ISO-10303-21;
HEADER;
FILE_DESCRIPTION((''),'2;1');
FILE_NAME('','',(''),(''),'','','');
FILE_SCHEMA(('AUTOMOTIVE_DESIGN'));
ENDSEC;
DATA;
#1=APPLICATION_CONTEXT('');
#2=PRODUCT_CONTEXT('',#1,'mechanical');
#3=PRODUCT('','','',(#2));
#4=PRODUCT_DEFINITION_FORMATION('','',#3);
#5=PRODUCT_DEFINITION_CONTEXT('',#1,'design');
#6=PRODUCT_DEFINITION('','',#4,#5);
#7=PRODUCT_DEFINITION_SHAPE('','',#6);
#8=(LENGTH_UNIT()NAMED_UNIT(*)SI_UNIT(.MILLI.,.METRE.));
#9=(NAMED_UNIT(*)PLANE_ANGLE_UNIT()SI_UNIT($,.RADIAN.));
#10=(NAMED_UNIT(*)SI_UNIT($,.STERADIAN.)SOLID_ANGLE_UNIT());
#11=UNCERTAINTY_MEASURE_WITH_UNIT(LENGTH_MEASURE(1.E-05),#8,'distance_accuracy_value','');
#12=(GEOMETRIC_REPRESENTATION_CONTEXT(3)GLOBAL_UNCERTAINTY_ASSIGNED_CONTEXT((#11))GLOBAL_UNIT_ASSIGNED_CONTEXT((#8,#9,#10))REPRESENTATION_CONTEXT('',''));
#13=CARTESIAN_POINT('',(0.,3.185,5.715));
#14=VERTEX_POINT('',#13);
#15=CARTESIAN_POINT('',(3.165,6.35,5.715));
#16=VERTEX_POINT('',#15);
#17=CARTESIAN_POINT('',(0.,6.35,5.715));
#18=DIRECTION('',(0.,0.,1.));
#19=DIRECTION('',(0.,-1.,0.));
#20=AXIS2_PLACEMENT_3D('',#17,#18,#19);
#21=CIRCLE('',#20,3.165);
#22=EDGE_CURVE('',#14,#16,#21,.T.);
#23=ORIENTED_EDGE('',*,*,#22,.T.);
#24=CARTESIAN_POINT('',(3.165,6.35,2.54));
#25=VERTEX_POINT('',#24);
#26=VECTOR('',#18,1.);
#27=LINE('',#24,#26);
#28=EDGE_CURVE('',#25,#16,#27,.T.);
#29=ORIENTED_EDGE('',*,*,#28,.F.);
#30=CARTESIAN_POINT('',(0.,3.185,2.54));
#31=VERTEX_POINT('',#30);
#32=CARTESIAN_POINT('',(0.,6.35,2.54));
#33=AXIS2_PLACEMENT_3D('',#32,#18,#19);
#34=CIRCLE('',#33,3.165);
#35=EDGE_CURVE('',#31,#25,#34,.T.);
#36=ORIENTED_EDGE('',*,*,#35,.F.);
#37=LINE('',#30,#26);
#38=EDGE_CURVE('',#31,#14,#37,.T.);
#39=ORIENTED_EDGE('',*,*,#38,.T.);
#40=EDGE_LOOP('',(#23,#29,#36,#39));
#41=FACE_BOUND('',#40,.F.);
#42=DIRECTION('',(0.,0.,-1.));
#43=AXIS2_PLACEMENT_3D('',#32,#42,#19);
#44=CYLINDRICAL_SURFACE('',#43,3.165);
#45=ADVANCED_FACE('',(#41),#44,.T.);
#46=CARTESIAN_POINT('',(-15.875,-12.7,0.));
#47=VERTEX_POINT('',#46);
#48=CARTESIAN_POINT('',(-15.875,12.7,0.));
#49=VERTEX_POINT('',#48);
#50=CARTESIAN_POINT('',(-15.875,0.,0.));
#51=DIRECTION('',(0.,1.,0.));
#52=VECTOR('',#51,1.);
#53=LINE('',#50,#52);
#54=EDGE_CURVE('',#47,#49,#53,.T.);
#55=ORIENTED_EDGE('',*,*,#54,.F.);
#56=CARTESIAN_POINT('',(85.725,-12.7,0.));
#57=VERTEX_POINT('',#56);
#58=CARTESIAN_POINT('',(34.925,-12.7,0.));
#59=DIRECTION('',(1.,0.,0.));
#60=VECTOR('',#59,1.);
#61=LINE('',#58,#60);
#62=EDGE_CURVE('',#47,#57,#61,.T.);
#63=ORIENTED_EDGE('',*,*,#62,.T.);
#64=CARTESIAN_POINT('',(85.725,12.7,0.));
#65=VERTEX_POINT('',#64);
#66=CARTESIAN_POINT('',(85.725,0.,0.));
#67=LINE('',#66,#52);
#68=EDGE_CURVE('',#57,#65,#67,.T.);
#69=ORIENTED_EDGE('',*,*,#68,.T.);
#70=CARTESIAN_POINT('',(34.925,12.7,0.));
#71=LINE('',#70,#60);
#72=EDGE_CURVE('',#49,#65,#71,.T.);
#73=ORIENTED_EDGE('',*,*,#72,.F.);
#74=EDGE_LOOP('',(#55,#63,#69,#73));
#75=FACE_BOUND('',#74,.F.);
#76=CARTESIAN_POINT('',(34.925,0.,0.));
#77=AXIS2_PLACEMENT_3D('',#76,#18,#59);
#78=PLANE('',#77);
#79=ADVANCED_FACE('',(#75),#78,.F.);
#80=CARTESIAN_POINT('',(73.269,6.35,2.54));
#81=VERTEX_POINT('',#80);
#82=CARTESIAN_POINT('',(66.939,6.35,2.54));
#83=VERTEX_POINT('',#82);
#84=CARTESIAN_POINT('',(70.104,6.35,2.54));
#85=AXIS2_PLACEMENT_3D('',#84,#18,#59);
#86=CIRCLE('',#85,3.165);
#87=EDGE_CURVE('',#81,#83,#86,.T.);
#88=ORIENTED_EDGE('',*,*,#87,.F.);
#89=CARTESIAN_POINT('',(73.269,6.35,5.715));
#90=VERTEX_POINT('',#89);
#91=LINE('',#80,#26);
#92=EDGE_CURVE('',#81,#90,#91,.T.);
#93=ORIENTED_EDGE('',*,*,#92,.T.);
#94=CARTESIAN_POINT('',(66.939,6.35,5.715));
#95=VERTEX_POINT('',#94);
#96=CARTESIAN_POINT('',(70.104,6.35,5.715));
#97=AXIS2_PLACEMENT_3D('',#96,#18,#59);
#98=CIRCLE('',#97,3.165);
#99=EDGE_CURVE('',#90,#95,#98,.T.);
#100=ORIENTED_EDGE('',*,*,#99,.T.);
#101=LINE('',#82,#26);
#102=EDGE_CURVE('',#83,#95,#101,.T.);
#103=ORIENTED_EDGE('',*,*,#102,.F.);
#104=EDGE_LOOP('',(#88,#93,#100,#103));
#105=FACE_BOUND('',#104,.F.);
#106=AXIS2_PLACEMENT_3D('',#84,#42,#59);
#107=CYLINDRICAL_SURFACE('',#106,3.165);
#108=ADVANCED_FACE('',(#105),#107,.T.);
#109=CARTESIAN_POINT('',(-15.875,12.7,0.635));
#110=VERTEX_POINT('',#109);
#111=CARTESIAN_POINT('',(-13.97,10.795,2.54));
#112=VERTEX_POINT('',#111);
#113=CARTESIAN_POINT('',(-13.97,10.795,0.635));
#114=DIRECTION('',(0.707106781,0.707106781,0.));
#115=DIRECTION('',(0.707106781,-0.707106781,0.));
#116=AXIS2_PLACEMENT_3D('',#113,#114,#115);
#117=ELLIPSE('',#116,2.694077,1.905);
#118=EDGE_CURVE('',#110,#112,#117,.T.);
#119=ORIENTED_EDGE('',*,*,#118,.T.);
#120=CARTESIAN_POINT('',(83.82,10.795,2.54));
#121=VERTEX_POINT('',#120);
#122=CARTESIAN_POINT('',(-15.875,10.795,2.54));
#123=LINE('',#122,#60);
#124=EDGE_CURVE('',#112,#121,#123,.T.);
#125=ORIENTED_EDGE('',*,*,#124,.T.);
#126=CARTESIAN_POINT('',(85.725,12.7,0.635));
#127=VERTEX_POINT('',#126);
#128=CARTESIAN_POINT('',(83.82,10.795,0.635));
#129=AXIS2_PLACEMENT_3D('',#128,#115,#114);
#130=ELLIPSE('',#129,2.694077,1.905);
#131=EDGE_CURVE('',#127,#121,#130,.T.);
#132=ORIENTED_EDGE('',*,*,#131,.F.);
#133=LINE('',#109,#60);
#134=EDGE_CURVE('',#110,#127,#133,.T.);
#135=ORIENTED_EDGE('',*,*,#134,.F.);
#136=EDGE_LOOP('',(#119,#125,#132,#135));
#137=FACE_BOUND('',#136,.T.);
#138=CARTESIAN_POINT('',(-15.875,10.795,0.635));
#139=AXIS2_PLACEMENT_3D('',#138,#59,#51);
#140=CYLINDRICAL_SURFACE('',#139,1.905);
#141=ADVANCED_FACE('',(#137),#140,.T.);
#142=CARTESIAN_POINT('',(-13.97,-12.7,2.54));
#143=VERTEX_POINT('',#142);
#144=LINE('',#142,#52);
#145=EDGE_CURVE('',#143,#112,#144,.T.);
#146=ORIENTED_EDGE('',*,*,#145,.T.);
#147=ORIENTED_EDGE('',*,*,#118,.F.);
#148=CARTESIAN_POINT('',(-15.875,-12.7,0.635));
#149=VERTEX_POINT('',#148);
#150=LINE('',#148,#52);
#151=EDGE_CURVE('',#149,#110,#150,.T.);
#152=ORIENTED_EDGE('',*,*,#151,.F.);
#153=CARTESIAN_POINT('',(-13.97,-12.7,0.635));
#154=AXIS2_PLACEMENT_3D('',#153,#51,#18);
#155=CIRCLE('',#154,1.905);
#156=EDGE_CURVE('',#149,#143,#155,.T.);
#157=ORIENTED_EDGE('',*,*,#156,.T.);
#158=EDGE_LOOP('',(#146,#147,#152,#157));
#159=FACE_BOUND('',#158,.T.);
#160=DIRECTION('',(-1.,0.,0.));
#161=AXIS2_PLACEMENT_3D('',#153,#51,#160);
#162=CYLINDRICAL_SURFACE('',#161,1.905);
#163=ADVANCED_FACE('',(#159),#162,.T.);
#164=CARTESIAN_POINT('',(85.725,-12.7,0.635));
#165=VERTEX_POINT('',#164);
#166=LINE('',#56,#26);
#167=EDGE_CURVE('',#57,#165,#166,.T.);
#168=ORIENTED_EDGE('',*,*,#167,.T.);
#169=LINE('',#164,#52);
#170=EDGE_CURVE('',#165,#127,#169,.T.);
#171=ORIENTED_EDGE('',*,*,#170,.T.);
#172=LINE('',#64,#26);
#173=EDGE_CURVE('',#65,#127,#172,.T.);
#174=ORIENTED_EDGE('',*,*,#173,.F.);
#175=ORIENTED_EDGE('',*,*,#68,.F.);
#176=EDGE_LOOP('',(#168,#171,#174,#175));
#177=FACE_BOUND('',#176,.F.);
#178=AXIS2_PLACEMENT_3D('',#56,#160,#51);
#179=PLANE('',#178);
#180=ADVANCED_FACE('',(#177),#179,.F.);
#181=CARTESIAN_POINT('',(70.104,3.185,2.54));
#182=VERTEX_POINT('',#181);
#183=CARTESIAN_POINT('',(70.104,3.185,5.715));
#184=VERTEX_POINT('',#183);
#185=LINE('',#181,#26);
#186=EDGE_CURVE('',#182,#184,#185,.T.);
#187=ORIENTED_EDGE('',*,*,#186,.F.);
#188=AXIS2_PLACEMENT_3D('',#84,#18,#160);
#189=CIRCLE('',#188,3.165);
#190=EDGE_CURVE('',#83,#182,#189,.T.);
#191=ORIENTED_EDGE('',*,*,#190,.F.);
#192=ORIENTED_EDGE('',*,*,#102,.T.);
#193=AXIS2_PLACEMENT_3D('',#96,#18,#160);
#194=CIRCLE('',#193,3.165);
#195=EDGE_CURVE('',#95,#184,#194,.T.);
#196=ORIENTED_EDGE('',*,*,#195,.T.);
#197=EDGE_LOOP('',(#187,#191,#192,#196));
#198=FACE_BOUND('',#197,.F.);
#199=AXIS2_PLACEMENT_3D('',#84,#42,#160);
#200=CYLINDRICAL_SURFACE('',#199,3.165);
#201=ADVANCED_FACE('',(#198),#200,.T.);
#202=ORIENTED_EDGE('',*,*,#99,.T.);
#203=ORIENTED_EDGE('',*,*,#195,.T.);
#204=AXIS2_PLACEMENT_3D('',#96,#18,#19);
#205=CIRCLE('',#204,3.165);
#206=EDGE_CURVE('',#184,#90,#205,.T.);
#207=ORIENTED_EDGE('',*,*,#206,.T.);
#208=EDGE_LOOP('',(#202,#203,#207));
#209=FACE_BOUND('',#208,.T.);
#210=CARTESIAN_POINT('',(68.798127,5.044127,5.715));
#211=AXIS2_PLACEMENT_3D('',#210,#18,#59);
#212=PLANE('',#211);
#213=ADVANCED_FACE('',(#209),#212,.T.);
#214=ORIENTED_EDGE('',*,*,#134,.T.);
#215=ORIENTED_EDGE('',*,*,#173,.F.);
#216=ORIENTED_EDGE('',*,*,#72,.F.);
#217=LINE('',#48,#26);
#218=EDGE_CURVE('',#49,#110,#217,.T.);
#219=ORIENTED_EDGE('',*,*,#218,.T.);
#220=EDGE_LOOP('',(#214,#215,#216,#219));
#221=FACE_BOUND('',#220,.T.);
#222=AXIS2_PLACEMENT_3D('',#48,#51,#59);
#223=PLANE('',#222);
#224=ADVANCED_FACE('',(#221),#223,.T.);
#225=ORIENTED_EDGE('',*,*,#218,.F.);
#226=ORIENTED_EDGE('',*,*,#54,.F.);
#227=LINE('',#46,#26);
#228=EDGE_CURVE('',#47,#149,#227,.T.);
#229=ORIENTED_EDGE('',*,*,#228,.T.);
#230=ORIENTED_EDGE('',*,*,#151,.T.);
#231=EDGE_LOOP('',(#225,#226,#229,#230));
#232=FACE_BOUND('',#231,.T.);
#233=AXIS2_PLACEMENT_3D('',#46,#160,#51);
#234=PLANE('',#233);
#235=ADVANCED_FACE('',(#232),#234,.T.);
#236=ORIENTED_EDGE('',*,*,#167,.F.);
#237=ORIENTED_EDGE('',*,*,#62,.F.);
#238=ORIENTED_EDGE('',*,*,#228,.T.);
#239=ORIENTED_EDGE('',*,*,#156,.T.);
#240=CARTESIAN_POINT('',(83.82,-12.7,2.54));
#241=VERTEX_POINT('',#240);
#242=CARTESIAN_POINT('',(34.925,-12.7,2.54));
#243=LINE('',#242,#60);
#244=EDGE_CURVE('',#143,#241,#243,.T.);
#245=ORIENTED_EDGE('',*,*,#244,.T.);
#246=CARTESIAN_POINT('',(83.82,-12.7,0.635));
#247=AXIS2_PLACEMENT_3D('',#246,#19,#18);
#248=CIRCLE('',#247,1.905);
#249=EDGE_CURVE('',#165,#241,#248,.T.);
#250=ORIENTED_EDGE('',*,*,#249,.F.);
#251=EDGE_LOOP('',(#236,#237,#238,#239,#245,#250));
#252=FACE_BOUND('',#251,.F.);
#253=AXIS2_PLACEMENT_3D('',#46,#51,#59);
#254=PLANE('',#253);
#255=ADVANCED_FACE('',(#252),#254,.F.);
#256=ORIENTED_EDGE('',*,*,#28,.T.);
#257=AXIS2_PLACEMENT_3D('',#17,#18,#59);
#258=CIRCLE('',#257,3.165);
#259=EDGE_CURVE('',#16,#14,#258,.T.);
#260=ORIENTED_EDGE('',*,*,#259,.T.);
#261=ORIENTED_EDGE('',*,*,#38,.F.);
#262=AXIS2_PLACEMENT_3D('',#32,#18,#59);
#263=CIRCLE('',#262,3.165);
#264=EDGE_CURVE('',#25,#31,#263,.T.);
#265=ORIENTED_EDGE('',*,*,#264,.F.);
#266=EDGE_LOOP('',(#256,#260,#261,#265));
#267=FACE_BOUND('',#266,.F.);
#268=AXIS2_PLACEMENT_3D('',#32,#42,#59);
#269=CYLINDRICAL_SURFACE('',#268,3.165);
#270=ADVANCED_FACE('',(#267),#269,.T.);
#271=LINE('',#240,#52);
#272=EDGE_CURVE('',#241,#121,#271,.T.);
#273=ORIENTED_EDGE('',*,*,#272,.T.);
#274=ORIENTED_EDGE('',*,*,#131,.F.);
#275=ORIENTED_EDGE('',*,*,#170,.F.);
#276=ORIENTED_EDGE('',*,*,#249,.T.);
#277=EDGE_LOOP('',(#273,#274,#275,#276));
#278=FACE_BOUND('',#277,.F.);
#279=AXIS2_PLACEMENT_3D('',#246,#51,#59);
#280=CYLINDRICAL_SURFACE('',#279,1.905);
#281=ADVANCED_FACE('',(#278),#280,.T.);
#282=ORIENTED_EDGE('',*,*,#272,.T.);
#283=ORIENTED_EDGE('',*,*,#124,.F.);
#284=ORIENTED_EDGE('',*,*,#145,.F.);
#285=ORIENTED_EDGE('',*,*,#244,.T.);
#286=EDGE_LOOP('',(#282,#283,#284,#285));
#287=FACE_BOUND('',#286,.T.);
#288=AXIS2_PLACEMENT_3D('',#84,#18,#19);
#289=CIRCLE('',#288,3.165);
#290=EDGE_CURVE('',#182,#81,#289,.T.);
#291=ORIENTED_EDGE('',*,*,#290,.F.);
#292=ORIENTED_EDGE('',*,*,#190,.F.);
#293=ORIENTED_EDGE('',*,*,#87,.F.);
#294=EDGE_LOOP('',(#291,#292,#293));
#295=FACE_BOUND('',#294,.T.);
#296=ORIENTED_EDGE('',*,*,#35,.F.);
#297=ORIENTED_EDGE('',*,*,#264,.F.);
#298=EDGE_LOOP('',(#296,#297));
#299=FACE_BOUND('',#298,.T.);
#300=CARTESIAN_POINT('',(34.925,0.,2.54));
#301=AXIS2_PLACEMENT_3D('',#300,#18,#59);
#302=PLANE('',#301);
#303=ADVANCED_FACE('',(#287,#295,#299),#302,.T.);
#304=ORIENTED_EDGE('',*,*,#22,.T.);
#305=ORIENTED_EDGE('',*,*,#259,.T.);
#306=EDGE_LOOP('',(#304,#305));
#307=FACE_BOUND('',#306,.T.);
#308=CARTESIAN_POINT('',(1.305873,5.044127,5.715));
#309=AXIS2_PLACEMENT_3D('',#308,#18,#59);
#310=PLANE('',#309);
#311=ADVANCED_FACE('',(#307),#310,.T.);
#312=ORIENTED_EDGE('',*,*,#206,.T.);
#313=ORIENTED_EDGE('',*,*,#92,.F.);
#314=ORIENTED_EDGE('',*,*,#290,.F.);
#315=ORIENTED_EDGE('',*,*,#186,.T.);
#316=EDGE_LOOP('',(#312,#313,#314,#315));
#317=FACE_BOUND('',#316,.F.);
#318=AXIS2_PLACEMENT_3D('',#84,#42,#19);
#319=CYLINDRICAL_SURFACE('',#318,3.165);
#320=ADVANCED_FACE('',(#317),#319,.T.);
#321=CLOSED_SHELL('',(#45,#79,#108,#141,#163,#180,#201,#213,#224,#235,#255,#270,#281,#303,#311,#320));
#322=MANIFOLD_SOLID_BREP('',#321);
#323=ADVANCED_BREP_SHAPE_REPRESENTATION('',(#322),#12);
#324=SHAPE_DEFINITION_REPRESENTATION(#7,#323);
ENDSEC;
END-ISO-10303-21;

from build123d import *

# Parameters (mm, degrees)
F0_W     = 101.6
F0_H     = 25.4
F1_DEPTH = 2.54
F2_R     = 1.905
F4_DEPTH = 3.175


with BuildPart() as f1:
    # F0 (on Top) → F1 (new body)
    with BuildSketch(Plane.XY):
        with Locations((34.925, 0)):
            Rectangle(F0_W, F0_H)
        with BuildLine():
            Line((69.85, 0), (0, 0))
            Line((0, 0), (0, 3.175))
            ThreePointArc((0, 3.175), (-2.2450640303, 8.5950640303), (3.175, 6.35))
            Line((3.175, 6.35), (66.675, 6.35))
            ThreePointArc((66.675, 6.35), (69.85, 9.525), (73.025, 6.35))
            ThreePointArc((73.025, 6.35), (72.0950640303, 4.1049359697), (69.85, 3.175))
            Line((69.85, 3.175), (69.85, 0))
        make_face(mode=Mode.SUBTRACT)
        with BuildLine():
            Line((0, 3.175), (0, 0))
            Line((0, 0), (69.85, 0))
            Line((69.85, 0), (69.85, 3.175))
            ThreePointArc((69.85, 3.175), (67.6049359697, 4.1049359697), (66.675, 6.35))
            Line((66.675, 6.35), (3.175, 6.35))
            ThreePointArc((3.175, 6.35), (2.2450640303, 4.1049359697), (0, 3.175))
        make_face()
        with BuildLine():
            Line((69.85, 6.35), (69.85, 3.175))
            ThreePointArc((69.85, 3.175), (72.0950640303, 4.1049359697), (73.025, 6.35))
            ThreePointArc((73.025, 6.35), (69.85, 9.525), (66.675, 6.35))
            Line((66.675, 6.35), (69.85, 6.35))
        make_face()
        with BuildLine():
            ThreePointArc((3.175, 6.35), (-2.2450640303, 8.5950640303), (0, 3.175))
            Line((0, 3.175), (0, 6.35))
            Line((0, 6.35), (3.175, 6.35))
        make_face()
        with BuildLine():
            Line((0, 6.35), (0, 3.175))
            ThreePointArc((0, 3.175), (2.2450640303, 4.1049359697), (3.175, 6.35))
            Line((3.175, 6.35), (0, 6.35))
        make_face()
        with BuildLine():
            ThreePointArc((66.675, 6.35), (67.6049359697, 4.1049359697), (69.85, 3.175))
            Line((69.85, 3.175), (69.85, 6.35))
            Line((69.85, 6.35), (66.675, 6.35))
        make_face()
    extrude(amount=F1_DEPTH)

    # F2
    f2_edges = [f1.edges().sort_by_distance(p)[0] for p in [
        (34.925, 12.7, 2.54),
        (-15.875, 0, 2.54),
        (85.725, 0, 2.54),
    ]]
    fillet(f2_edges, radius=F2_R)

    # F3 (on face) → F4 (join)
    with BuildSketch(Plane.XY.offset(2.54)):
        with BuildLine():
            ThreePointArc((66.939, 6.35), (67.8660070375, 4.1120070375), (70.104, 3.185))
            Line((70.104, 3.185), (70.104, 6.35))
            Line((70.104, 6.35), (66.939, 6.35))
        make_face()
        with BuildLine():
            Line((70.104, 6.35), (70.104, 3.185))
            ThreePointArc((70.104, 3.185), (72.3419929625, 4.1120070375), (73.269, 6.35))
            ThreePointArc((73.269, 6.35), (70.104, 9.515), (66.939, 6.35))
            Line((66.939, 6.35), (70.104, 6.35))
        make_face()
        with BuildLine():
            Line((0, 6.35), (0, 3.185))
            ThreePointArc((0, 3.185), (2.2379929625, 4.1120070375), (3.165, 6.35))
            Line((3.165, 6.35), (0, 6.35))
        make_face()
        with BuildLine():
            ThreePointArc((3.165, 6.35), (-2.2379929625, 8.5879929625), (0, 3.185))
            Line((0, 3.185), (0, 6.35))
            Line((0, 6.35), (3.165, 6.35))
        make_face()
    extrude(amount=F4_DEPTH)


solid = f1.part
